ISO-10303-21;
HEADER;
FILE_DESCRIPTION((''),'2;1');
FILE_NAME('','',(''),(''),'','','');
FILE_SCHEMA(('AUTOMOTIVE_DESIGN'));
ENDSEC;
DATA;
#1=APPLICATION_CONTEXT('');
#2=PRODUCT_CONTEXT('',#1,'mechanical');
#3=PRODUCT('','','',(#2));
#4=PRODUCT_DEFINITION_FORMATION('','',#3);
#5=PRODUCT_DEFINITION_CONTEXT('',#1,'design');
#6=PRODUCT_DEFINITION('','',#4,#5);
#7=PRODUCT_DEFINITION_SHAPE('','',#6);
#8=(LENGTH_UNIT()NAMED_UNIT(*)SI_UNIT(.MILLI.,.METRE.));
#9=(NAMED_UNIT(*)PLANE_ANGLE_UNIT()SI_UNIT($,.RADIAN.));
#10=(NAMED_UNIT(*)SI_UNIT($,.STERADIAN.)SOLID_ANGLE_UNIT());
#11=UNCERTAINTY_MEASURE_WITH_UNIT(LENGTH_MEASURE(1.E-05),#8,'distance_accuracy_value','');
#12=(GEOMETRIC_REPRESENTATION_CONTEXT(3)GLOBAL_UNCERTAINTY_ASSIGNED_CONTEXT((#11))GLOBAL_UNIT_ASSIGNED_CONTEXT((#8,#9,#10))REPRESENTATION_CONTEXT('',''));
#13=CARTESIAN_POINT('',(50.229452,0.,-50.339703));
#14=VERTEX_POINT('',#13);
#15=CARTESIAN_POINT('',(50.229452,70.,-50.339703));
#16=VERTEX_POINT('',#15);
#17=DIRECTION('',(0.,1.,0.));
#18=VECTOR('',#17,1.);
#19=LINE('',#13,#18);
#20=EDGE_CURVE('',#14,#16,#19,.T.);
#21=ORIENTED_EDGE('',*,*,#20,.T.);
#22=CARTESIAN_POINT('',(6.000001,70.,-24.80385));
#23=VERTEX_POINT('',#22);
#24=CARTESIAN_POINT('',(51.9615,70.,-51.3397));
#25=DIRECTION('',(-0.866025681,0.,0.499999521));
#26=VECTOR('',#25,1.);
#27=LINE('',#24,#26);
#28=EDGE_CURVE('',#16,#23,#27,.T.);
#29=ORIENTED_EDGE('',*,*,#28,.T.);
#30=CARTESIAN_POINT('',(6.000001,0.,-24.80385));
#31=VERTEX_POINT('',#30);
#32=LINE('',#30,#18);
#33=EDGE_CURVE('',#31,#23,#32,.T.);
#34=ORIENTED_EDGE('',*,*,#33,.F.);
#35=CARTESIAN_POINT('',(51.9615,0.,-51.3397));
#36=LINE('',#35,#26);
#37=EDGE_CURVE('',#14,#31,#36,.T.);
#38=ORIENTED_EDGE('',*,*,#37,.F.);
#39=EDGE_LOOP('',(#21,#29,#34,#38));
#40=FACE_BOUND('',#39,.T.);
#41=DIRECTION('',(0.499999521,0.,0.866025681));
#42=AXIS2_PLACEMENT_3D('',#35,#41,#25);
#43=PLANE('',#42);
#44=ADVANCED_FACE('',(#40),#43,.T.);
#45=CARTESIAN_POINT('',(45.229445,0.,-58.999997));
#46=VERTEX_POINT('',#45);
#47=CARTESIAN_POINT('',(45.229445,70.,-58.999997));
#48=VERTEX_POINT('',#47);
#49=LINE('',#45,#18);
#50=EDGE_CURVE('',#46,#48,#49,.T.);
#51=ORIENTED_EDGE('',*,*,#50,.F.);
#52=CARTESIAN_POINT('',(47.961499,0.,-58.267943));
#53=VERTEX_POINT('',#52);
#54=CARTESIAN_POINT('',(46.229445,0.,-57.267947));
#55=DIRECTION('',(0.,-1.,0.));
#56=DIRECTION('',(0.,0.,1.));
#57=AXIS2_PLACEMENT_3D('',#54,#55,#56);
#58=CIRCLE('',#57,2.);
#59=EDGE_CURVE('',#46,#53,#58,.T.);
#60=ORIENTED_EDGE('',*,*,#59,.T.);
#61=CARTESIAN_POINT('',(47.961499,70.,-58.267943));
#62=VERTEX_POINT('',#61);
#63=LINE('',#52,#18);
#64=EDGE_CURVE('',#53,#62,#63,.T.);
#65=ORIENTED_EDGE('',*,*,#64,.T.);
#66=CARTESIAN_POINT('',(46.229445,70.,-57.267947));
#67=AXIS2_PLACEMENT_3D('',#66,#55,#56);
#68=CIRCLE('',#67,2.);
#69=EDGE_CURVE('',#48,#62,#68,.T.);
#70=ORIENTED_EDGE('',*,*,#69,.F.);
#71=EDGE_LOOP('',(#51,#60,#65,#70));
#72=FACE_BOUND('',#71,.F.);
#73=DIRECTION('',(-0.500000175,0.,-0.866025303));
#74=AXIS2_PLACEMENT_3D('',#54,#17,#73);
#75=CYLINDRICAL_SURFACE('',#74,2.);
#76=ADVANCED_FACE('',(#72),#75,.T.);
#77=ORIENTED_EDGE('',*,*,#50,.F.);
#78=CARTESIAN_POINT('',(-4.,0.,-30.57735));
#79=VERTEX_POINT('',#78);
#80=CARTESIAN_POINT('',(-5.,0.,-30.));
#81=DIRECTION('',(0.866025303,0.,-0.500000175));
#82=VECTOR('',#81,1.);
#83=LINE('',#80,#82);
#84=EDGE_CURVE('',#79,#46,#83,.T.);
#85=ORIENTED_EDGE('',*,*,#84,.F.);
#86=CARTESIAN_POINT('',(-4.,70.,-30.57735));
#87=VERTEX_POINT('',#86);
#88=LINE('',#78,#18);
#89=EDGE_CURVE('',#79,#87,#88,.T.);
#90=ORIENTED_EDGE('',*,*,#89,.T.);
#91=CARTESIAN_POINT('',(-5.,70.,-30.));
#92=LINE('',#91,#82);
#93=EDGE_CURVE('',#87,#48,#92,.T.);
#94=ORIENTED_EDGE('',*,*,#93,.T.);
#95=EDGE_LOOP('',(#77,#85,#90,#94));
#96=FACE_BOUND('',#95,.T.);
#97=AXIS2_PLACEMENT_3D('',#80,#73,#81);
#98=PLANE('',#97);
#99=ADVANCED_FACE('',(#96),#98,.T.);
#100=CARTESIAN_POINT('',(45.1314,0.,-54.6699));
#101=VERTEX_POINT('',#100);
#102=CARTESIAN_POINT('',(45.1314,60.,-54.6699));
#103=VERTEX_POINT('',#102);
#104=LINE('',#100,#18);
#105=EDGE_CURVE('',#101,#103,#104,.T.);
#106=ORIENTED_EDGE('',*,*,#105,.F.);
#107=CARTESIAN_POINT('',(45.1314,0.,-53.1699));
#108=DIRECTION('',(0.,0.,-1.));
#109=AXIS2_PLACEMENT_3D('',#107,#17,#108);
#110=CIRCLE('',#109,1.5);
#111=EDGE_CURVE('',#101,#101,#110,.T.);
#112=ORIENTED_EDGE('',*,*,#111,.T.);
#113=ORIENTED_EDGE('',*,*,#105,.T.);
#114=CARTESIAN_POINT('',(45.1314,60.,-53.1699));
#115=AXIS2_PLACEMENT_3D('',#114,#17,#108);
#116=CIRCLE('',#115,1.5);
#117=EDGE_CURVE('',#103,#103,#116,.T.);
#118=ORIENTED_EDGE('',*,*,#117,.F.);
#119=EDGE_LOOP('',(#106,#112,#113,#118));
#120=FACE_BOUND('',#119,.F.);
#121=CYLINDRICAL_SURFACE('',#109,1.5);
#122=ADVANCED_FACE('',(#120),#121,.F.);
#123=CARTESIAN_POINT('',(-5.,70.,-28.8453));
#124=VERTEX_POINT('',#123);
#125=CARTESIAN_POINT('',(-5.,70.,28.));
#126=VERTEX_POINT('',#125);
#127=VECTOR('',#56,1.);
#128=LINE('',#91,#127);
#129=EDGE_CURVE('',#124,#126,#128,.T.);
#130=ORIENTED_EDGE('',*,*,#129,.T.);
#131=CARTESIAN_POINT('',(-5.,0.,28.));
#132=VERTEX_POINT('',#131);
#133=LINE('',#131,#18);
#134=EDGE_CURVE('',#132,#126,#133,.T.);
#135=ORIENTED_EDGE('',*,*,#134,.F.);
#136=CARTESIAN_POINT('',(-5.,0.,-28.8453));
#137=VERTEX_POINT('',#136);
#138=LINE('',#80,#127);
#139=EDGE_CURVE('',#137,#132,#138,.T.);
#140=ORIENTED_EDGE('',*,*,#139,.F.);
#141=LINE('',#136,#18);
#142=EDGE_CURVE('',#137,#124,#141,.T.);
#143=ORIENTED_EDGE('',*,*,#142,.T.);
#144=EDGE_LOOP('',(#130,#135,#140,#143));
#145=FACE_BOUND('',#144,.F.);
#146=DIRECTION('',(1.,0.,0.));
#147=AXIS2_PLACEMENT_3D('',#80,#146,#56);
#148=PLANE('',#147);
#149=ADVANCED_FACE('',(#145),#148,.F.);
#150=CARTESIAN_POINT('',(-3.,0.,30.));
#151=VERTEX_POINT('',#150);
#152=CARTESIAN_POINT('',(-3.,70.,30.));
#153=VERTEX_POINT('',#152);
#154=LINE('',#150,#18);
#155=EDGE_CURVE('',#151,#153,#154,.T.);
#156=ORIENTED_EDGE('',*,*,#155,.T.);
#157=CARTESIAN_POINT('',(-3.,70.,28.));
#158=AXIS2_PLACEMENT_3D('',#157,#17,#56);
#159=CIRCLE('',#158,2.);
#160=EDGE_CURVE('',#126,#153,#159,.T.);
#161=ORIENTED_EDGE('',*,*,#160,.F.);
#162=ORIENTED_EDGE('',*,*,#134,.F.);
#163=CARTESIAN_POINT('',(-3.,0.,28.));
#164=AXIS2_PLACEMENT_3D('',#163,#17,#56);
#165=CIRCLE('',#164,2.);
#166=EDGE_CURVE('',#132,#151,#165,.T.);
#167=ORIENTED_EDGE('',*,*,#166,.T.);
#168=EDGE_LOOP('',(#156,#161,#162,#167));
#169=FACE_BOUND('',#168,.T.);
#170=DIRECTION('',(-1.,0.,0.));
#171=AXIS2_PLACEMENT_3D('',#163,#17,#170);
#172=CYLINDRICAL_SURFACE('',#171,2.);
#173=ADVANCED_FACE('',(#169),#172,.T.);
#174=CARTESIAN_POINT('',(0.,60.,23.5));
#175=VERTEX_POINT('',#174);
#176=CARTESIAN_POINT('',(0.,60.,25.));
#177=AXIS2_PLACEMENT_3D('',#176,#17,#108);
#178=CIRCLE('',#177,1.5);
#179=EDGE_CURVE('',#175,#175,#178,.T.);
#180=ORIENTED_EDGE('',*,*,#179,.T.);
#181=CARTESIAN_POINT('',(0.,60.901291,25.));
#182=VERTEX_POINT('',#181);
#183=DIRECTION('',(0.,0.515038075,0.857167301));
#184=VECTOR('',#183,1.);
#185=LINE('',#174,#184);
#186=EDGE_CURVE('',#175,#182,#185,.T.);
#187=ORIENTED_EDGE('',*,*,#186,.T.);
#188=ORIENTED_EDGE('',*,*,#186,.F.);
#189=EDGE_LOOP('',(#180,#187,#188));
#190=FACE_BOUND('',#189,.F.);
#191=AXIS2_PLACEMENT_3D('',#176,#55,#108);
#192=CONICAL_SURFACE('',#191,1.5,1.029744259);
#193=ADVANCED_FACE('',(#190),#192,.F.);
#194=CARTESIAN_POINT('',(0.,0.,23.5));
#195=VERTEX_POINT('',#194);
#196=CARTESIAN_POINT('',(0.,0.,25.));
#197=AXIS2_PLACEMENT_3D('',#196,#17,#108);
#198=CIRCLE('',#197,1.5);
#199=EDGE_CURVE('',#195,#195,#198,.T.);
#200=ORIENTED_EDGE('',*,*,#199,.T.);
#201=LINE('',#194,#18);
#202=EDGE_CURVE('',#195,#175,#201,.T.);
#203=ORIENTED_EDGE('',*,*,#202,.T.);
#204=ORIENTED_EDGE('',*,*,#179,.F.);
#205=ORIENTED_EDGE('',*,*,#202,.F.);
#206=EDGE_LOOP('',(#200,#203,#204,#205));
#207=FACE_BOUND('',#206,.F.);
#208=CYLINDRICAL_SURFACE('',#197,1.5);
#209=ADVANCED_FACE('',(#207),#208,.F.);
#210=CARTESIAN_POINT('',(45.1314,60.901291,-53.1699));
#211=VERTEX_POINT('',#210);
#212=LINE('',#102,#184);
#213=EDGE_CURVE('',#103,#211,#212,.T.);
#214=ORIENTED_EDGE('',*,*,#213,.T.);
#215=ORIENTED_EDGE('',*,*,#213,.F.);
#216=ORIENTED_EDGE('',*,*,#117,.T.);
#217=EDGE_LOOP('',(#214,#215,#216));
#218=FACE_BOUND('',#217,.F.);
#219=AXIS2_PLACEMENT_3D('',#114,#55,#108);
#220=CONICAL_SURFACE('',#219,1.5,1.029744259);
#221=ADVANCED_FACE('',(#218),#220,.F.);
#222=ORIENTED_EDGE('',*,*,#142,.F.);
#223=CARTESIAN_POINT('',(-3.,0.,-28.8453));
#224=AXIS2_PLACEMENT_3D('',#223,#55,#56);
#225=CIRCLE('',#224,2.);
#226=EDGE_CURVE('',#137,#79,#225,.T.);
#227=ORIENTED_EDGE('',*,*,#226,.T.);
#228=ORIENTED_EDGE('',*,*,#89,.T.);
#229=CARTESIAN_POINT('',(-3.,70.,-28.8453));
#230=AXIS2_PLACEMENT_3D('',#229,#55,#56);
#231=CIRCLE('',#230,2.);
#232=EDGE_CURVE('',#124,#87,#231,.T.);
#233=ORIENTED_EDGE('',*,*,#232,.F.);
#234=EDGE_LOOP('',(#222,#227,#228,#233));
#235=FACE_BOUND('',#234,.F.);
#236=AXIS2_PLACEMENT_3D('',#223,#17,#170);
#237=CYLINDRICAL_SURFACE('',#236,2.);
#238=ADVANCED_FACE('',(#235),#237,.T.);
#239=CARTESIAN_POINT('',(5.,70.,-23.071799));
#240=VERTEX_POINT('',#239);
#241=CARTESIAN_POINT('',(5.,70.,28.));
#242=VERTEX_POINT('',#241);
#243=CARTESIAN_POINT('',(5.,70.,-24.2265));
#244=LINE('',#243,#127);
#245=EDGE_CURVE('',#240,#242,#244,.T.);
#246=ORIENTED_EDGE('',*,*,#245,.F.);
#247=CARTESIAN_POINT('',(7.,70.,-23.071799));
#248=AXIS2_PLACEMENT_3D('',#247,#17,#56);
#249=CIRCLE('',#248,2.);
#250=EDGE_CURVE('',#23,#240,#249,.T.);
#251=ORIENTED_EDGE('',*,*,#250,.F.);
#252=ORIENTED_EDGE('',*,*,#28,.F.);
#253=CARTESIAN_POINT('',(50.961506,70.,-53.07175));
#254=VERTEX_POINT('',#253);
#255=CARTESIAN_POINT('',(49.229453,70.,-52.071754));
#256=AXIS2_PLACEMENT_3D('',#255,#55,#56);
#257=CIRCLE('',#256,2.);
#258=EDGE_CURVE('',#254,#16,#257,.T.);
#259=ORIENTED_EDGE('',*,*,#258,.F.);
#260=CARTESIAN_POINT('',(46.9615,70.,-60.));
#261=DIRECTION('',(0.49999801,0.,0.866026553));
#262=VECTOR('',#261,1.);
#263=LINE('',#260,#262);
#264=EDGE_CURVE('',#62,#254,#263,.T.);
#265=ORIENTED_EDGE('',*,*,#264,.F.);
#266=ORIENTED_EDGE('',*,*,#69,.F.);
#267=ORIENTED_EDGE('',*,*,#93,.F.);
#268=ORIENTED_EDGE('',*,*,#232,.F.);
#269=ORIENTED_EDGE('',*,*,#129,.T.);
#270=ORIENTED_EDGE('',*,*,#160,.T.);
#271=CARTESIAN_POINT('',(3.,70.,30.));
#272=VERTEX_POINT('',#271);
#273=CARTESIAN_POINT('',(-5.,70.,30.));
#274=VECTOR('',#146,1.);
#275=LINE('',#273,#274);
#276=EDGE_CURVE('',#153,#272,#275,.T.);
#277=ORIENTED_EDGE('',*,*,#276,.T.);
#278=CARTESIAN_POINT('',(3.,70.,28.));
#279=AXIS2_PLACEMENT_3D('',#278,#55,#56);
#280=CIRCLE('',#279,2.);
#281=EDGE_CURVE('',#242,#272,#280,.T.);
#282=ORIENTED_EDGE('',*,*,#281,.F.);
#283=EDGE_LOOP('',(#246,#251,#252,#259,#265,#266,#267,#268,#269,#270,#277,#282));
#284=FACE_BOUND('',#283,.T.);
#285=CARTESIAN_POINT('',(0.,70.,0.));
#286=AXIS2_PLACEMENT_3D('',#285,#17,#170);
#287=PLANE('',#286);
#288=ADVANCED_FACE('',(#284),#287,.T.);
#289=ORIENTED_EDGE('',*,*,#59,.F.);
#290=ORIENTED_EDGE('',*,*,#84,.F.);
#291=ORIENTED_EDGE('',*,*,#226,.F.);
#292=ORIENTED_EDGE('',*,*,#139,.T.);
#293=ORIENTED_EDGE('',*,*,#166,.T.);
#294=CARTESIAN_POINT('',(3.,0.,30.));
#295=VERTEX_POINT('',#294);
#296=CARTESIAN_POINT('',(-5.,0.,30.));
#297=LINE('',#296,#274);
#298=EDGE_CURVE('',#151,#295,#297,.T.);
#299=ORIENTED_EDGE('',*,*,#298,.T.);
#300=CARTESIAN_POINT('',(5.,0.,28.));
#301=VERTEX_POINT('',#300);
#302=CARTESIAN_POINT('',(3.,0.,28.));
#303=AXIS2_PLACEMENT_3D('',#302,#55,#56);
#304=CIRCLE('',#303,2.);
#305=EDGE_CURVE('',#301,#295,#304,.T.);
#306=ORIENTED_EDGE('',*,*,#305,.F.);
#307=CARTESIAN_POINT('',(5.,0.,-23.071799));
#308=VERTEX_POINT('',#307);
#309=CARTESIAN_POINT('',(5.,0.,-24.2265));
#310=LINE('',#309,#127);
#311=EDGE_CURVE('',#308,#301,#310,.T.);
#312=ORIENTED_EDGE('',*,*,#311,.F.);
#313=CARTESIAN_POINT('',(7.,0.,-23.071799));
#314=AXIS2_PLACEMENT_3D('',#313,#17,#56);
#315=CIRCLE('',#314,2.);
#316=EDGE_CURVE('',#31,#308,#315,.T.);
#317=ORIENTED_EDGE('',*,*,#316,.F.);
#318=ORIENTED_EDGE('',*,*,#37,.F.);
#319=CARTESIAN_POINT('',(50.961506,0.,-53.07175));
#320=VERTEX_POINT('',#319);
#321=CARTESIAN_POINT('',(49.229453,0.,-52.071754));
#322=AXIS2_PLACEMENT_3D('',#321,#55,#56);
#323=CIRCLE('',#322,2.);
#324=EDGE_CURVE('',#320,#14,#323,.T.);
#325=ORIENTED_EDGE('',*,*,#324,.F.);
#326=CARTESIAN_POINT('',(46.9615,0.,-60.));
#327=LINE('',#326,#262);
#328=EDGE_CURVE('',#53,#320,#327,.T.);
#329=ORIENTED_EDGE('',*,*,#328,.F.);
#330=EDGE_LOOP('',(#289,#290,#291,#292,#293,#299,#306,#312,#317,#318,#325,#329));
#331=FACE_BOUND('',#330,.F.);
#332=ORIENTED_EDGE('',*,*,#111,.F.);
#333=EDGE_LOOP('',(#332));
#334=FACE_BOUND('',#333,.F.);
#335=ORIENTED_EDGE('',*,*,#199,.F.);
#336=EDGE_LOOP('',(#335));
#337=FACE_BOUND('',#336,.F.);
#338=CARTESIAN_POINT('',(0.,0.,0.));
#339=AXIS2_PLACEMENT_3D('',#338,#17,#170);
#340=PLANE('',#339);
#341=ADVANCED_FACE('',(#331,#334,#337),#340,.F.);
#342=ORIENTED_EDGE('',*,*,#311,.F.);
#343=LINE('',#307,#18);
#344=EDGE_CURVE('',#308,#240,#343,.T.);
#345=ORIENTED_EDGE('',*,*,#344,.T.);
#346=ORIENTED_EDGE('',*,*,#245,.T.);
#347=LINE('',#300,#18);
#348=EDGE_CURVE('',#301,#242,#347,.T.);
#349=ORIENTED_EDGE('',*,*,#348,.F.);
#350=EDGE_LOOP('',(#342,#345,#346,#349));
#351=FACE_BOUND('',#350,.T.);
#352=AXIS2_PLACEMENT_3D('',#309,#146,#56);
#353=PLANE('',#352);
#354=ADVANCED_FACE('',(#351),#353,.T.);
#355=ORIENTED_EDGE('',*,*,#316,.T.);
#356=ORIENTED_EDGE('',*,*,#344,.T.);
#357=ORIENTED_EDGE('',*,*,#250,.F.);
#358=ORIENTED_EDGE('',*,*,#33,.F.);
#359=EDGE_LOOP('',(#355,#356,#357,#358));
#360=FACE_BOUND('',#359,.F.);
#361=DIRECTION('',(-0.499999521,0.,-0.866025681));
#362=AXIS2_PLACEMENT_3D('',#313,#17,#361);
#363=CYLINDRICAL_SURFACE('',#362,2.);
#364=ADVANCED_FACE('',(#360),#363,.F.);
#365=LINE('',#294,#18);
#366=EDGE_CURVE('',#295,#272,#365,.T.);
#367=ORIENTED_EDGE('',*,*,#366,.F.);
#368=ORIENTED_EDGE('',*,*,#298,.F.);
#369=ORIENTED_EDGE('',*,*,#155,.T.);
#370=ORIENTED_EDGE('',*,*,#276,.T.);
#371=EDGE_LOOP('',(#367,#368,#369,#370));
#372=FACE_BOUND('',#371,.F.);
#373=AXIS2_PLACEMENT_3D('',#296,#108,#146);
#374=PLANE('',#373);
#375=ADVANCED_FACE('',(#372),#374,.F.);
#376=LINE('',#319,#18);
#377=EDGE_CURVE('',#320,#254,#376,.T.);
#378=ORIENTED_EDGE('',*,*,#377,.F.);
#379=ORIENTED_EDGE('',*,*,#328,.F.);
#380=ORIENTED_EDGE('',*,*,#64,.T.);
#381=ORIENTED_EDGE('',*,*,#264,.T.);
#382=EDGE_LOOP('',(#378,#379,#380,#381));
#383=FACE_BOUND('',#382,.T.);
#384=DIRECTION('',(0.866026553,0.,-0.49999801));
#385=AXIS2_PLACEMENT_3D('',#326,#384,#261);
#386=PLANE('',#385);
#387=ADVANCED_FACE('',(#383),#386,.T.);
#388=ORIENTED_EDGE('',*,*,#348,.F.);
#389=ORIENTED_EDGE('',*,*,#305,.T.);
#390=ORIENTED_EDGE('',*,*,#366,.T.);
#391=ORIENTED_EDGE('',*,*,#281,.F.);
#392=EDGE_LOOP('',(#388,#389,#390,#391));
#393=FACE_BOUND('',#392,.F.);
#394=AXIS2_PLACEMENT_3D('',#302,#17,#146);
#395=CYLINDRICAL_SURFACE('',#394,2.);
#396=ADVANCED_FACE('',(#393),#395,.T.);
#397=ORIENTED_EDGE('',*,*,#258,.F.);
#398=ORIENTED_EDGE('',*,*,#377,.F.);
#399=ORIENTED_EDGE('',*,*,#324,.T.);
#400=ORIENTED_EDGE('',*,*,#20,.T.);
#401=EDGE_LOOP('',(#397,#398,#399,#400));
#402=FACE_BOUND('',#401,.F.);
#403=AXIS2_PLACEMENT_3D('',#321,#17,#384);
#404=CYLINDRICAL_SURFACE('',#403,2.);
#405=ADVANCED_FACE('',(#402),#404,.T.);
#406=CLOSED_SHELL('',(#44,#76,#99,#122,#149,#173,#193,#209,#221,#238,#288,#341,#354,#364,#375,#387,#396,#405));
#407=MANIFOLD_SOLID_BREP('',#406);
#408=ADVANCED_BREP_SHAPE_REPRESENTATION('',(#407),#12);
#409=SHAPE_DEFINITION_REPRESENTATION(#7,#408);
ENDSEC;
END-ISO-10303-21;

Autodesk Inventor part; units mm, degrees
ref_plane "YZ Plane" through (0, 0, 0) normal (1, 0, 0) x (0, 1, 0)
ref_plane "XZ Plane" through (0, 0, 0) normal (0, 1, 0) x (-1, 0, 0)
ref_plane "XY Plane" through (0, 0, 0) normal (0, 0, 1) x (1, 0, 0)
sketch "Эскиз1" plane through (0, 0, 0) normal (0, 1, 0) x (-1, 0, 0)
  line L0 (16.3923, 0) -> (-63.3538, 0) construction
  line L1 (5, 30) -> (-5, 30)
  line L2 (5, -30) -> (5, 30)
  line L3 (5, -30) -> (-46.9615, -60)
  line L4 (-46.9615, -60) -> (-51.9615, -51.3397)
  line L5 (-51.9615, -51.3397) -> (-5, -24.2265)
  line L6 (-5, -24.2265) -> (-5, 30)
  line L7 (0, -78) -> (0, 48) construction
  point P0 (0, 0)
  dimension "d13" = 60
  dimension "d16" = 10
  dimension "d17" = 10
  dimension "d18" = 60
  dimension "d19" = 120
extrude "Выдавливание1" add sketch "Эскиз1" along normal blind 70
fillet "Сопряжение1" radius 2 6 edges at (-5, 35, 30) (5, 35, 30) (-5, 35, -30) (51.9615, 35, -51.3397) (46.9615, 35, -60) (5, 35, -24.2265)
sketch "Эскиз7" plane through (0, 0, 0) normal (0, -1, 0) x (1, 0, 0)
  line L0 (-3, 30) -> (3, 30) projected
  line L1 (5, 28) -> (5, -23.0718) projected
  line L2 (6, -24.8038) -> (50.2295, -50.3397) projected
  line L3 (50.9615, -53.0718) -> (47.9615, -58.2679) projected
  point P0 (0, 0)
  point P1 (0, 25)
  point P2 (45.1314, -53.1699)
  dimension "d21" = 5
  dimension "d22" = 5
  dimension "d23" = 5
  dimension "d24" = 5
hole "Отверстие1" at (0, 0, 25) at (45.1314, 0, -53.1699) direction (0, 1, 0) diameter 3 depth 60 tip angle 118
equation "\"d22\" = d21"
equation "\"d23\" = d24"
equation "\"d24\" = d21"
properties part number "Лепесток БСП"
